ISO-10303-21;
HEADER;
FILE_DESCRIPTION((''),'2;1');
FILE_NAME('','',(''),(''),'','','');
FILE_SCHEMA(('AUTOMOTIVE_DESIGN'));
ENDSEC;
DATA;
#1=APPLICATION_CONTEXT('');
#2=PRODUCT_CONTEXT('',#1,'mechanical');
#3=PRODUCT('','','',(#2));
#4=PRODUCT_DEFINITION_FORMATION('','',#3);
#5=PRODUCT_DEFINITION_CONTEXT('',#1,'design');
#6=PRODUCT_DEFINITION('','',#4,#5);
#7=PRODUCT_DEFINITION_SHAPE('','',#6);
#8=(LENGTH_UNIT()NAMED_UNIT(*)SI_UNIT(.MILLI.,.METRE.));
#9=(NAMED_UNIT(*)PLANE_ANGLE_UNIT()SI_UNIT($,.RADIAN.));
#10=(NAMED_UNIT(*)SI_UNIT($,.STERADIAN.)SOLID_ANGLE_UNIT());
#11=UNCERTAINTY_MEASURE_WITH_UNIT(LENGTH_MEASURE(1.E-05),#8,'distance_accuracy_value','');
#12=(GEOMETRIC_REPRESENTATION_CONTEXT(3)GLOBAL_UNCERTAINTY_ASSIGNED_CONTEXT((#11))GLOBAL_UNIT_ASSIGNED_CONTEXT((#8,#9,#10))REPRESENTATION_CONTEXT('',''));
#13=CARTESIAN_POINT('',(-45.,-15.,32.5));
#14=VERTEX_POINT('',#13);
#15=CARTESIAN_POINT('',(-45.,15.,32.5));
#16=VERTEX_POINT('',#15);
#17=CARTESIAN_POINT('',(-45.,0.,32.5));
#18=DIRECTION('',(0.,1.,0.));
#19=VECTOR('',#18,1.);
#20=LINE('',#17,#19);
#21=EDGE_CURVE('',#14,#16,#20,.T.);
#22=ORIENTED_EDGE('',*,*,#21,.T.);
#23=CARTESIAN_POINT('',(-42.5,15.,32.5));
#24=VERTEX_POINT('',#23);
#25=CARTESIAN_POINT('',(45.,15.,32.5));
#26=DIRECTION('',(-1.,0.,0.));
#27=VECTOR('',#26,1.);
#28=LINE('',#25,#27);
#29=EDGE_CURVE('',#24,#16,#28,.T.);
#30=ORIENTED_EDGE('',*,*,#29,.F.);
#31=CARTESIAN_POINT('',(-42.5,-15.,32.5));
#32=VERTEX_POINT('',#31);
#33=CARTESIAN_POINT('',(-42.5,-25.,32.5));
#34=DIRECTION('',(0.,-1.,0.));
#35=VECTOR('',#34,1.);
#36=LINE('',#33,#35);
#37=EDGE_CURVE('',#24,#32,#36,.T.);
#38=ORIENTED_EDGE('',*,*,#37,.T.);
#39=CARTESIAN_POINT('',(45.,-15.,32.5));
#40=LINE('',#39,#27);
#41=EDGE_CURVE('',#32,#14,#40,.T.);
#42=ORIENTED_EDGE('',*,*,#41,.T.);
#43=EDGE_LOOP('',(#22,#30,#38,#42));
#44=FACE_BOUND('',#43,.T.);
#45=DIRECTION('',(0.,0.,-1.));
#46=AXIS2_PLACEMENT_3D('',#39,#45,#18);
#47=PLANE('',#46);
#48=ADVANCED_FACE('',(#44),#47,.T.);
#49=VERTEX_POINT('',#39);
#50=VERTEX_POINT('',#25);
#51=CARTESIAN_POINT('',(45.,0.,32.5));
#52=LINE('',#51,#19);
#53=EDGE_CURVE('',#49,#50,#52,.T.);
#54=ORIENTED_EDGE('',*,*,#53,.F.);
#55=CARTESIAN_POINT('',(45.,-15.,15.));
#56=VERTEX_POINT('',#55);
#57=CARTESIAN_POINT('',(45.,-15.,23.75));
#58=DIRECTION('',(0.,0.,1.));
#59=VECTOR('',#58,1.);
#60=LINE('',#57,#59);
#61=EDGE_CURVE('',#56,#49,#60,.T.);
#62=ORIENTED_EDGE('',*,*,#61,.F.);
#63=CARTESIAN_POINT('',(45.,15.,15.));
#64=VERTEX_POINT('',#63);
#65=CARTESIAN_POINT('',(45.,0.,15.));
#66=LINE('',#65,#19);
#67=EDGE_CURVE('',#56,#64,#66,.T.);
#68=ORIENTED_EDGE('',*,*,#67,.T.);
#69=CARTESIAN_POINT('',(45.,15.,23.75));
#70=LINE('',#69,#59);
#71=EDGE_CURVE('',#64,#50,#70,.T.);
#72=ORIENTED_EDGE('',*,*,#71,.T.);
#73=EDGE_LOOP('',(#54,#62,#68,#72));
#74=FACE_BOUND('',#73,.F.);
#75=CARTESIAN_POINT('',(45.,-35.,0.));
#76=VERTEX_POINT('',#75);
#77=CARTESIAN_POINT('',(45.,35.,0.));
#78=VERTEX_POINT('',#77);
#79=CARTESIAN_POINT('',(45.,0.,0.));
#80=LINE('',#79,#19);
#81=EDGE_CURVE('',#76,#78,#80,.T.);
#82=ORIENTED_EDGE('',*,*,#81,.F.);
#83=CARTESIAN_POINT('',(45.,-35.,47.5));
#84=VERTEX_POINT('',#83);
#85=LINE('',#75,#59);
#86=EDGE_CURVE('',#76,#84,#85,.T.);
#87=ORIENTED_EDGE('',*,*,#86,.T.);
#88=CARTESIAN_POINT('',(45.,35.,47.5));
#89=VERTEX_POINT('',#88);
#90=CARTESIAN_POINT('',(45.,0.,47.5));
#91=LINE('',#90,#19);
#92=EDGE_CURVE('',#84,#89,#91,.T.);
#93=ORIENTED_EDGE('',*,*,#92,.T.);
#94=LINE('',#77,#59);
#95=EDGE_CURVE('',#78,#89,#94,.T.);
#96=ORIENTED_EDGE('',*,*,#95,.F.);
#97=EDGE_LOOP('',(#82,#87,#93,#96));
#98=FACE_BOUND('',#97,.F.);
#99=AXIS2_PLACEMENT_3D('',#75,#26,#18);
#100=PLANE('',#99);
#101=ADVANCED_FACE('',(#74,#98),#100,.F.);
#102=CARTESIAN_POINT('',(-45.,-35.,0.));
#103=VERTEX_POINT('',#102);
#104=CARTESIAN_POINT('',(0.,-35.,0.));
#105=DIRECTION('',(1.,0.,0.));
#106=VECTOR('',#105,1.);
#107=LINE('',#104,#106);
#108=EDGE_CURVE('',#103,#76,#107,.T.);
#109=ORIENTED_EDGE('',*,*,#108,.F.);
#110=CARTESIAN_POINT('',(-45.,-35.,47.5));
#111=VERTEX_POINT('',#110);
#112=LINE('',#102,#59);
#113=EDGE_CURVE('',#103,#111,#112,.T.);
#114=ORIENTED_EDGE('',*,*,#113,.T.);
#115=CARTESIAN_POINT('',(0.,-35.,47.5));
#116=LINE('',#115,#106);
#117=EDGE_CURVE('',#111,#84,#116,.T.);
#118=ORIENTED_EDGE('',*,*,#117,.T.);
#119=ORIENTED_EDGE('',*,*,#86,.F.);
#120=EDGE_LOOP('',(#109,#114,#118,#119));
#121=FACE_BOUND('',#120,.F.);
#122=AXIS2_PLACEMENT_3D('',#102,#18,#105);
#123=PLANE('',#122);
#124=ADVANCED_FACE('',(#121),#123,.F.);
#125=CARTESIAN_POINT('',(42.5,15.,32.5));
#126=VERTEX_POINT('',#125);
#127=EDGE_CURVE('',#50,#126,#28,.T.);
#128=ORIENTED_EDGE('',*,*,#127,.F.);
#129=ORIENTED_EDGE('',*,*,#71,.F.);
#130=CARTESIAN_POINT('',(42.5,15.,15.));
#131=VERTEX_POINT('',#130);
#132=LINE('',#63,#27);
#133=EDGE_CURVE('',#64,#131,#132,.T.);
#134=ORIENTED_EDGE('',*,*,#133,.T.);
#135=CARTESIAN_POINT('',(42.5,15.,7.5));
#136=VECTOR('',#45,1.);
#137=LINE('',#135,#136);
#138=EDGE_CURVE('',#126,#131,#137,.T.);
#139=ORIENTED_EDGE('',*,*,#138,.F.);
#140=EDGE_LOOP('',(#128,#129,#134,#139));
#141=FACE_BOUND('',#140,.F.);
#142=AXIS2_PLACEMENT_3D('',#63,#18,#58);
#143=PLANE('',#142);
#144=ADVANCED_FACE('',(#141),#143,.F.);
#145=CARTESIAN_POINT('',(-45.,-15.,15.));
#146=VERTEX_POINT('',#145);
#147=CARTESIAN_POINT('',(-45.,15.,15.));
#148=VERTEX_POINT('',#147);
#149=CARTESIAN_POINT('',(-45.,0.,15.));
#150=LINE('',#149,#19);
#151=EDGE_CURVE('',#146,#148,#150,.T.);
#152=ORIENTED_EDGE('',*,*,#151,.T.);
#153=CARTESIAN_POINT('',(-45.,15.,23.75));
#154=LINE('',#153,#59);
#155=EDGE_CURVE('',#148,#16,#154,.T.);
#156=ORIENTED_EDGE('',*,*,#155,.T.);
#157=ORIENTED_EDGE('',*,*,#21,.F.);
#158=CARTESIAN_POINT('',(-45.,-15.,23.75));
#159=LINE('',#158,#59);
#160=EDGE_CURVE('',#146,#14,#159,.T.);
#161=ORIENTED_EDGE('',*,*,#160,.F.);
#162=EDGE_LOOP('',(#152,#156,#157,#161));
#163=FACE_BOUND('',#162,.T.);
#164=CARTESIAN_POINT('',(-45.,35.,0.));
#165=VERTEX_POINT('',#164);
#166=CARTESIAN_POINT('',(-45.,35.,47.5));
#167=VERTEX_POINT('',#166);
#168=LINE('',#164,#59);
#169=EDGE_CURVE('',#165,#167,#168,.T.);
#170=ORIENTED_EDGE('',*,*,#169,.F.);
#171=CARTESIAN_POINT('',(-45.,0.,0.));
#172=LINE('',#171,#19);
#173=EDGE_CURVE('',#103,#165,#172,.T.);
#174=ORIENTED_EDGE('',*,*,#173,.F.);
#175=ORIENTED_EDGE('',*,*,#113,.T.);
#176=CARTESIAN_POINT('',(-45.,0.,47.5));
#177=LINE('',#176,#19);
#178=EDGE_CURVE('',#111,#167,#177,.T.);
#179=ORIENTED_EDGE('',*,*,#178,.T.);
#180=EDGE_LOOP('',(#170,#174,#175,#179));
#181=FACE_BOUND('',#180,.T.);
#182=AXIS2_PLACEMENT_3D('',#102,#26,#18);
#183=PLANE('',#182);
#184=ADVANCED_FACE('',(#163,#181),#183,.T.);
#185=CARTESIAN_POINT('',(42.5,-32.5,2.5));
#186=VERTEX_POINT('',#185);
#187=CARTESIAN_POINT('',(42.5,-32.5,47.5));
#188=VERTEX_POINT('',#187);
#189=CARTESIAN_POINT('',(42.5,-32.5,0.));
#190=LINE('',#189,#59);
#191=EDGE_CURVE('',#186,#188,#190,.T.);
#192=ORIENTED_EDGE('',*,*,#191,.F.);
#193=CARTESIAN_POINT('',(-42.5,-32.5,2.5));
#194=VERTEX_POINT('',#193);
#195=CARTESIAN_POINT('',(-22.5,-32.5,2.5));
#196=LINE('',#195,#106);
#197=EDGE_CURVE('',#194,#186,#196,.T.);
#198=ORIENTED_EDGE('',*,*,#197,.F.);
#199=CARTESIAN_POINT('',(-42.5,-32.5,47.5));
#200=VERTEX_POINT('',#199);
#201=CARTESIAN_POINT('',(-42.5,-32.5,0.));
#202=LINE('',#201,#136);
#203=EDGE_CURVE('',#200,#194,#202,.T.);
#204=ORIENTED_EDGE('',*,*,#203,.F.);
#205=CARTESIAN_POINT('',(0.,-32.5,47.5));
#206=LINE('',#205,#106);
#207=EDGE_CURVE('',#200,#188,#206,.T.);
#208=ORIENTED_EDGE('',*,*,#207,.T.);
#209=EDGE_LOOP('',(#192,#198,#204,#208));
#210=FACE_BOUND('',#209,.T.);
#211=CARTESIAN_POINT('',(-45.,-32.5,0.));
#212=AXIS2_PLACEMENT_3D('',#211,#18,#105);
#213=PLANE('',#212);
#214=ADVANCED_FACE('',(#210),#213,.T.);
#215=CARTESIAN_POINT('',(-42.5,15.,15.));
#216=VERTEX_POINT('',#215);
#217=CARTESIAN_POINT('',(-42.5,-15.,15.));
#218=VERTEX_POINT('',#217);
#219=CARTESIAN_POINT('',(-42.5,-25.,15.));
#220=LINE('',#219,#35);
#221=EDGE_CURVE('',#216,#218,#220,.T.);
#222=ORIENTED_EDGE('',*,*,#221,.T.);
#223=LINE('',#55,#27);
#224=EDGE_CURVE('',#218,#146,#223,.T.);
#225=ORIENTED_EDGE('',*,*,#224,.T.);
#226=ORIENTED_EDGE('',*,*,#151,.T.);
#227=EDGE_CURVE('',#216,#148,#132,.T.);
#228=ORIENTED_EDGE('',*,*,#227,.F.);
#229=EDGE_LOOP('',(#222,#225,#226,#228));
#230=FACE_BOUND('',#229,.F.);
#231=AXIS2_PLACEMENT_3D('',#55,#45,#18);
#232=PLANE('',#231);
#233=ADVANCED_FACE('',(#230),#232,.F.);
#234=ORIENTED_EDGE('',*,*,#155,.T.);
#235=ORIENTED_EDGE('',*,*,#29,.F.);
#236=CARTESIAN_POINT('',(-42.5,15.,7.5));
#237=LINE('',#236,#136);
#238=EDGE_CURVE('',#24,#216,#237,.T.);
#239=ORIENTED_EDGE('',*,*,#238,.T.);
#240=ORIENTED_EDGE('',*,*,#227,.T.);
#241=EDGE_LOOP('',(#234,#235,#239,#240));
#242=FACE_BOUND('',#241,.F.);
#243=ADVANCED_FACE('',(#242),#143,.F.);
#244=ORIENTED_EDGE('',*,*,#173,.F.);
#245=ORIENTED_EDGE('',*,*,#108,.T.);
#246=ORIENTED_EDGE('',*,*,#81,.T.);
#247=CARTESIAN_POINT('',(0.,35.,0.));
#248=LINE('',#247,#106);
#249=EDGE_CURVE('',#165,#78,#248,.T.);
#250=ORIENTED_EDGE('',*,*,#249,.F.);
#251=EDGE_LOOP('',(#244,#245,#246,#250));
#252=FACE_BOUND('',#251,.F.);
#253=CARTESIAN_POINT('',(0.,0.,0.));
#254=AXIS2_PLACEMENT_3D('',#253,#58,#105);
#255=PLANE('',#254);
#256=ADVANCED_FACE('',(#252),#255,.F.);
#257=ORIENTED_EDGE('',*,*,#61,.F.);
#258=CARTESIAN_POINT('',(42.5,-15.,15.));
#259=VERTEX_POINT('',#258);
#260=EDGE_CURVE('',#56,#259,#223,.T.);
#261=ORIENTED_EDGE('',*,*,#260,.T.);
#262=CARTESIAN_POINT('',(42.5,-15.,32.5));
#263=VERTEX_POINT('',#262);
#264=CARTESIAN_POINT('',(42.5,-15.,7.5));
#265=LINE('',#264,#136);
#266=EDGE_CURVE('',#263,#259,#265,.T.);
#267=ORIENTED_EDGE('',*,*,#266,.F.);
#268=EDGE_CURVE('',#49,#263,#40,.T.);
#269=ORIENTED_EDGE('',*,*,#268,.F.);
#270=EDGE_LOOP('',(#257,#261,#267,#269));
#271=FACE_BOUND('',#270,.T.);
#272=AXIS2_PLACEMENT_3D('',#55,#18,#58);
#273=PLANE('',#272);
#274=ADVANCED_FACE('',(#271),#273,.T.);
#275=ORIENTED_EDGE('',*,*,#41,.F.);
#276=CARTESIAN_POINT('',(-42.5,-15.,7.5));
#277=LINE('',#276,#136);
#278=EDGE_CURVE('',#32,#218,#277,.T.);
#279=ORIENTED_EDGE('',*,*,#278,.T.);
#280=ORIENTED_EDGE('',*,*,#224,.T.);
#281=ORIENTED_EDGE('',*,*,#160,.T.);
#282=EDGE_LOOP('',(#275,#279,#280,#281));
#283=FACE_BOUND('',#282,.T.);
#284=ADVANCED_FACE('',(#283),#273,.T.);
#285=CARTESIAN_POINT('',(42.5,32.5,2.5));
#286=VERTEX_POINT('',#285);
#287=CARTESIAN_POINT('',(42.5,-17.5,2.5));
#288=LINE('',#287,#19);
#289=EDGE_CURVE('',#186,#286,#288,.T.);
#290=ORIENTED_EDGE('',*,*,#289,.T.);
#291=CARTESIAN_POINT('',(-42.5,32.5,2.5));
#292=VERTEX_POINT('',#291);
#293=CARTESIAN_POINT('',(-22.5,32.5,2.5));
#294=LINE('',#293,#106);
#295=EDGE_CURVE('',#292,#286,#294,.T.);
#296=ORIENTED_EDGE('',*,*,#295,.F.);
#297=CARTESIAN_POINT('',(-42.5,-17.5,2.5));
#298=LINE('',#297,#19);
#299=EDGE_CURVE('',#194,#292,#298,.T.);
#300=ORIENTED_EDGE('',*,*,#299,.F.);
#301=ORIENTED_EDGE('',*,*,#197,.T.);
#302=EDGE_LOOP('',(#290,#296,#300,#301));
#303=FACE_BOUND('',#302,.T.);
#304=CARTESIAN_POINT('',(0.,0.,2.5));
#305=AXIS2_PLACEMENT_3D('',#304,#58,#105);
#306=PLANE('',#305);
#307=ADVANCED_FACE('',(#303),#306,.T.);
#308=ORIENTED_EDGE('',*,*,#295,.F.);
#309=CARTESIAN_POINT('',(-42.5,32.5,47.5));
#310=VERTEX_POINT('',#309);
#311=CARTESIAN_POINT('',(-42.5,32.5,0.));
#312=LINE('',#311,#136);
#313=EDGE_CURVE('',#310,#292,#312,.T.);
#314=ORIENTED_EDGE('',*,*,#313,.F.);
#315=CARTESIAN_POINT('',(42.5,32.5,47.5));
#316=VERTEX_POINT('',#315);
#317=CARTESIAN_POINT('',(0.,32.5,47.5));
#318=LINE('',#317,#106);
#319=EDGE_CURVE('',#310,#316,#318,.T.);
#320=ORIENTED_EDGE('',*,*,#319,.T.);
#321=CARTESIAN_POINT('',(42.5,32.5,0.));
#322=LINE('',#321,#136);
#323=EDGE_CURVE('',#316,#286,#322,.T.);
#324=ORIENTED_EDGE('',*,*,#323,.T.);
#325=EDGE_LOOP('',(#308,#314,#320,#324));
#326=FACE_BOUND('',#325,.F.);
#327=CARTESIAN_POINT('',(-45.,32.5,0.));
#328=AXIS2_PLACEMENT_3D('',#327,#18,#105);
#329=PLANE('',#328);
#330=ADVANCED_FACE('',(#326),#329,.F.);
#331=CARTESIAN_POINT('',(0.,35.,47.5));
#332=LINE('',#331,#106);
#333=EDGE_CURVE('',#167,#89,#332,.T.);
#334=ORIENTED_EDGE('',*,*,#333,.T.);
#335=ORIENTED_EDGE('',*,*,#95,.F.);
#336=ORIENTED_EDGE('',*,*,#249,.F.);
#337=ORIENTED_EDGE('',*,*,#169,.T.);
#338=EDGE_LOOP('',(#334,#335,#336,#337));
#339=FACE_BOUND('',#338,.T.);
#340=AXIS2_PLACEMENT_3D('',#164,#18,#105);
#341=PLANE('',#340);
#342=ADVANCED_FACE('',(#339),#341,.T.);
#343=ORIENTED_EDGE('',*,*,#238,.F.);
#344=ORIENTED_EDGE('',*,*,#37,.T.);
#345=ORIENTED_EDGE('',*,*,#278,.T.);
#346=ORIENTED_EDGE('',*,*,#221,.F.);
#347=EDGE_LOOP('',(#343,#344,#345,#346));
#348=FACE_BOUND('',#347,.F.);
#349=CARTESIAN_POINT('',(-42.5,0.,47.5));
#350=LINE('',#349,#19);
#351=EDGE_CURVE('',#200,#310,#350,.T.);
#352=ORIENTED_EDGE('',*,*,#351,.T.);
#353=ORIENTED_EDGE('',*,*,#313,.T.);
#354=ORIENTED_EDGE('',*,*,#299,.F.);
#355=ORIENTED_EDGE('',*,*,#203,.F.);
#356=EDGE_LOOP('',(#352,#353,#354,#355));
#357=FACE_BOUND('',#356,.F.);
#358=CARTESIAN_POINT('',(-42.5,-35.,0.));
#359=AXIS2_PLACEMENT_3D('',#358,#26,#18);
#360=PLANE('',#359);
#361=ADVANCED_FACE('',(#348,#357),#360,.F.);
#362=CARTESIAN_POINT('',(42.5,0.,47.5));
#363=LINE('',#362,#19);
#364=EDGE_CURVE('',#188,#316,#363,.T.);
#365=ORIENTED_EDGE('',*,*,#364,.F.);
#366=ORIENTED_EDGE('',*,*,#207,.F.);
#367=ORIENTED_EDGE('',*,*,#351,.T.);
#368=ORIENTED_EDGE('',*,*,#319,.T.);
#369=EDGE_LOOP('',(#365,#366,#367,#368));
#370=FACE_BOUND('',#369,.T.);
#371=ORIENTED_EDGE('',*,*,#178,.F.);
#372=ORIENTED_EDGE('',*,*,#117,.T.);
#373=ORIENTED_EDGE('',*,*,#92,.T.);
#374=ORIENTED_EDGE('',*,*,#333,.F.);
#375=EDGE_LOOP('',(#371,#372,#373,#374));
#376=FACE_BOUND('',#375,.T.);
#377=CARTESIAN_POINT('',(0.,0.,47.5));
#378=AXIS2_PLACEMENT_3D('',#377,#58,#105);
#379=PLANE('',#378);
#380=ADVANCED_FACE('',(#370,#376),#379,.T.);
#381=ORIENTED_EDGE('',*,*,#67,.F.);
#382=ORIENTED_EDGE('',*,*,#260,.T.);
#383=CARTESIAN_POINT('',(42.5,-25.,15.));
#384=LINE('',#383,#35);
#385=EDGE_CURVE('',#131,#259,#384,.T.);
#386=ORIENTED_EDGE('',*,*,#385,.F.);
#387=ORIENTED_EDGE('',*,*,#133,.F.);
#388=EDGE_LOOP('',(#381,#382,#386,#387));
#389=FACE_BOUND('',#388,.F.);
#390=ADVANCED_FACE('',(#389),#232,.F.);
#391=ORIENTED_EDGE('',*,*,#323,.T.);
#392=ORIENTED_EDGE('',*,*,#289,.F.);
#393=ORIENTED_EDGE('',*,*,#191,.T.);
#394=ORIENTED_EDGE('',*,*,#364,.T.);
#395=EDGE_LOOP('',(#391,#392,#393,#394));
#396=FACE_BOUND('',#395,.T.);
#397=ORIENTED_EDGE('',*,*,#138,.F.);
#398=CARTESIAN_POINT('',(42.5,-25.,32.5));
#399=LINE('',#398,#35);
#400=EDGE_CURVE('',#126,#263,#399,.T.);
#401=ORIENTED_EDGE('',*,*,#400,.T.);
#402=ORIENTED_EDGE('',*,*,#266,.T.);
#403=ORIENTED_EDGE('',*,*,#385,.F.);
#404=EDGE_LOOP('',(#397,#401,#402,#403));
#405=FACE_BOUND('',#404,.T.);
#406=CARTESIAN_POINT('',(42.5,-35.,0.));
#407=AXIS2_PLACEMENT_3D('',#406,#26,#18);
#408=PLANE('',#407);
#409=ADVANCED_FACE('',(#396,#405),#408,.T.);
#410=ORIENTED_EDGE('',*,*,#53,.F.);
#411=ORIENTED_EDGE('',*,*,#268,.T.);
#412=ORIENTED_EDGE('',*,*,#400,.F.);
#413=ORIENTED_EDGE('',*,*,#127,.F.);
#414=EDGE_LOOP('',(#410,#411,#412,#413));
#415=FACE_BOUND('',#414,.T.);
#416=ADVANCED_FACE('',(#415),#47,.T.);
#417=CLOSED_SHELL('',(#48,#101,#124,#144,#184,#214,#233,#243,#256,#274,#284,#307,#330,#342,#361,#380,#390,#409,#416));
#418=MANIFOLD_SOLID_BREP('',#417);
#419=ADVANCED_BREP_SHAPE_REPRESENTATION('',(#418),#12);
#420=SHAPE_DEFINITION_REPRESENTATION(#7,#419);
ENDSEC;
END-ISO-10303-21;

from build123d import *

# Parameters (mm, degrees)
F0_W     = 90
F0_H     = 70
F1_DEPTH = 47.5
F2_T     = -2.5
F3_W     = 30
F3_H     = 17.5
F4_DEPTH = 90


with BuildPart() as f1:
    # F0 (on Top) → F1 (new body)
    with BuildSketch(Plane.XY):
        Rectangle(F0_W, F0_H)
    extrude(amount=F1_DEPTH)

    # F2
    f2_openings = [f1.faces().sort_by_distance(p)[0] for p in [
        (0, 0, 47.5),
    ]]
    offset(amount=F2_T, openings=f2_openings)

    # F3 (on face) → F4 (cut, through all)
    with BuildSketch(Plane.YZ.offset(45)):
        with Locations((0, 23.75)):
            Rectangle(F3_W, F3_H)
    extrude(amount=-F4_DEPTH, mode=Mode.SUBTRACT)


solid = f1.part
